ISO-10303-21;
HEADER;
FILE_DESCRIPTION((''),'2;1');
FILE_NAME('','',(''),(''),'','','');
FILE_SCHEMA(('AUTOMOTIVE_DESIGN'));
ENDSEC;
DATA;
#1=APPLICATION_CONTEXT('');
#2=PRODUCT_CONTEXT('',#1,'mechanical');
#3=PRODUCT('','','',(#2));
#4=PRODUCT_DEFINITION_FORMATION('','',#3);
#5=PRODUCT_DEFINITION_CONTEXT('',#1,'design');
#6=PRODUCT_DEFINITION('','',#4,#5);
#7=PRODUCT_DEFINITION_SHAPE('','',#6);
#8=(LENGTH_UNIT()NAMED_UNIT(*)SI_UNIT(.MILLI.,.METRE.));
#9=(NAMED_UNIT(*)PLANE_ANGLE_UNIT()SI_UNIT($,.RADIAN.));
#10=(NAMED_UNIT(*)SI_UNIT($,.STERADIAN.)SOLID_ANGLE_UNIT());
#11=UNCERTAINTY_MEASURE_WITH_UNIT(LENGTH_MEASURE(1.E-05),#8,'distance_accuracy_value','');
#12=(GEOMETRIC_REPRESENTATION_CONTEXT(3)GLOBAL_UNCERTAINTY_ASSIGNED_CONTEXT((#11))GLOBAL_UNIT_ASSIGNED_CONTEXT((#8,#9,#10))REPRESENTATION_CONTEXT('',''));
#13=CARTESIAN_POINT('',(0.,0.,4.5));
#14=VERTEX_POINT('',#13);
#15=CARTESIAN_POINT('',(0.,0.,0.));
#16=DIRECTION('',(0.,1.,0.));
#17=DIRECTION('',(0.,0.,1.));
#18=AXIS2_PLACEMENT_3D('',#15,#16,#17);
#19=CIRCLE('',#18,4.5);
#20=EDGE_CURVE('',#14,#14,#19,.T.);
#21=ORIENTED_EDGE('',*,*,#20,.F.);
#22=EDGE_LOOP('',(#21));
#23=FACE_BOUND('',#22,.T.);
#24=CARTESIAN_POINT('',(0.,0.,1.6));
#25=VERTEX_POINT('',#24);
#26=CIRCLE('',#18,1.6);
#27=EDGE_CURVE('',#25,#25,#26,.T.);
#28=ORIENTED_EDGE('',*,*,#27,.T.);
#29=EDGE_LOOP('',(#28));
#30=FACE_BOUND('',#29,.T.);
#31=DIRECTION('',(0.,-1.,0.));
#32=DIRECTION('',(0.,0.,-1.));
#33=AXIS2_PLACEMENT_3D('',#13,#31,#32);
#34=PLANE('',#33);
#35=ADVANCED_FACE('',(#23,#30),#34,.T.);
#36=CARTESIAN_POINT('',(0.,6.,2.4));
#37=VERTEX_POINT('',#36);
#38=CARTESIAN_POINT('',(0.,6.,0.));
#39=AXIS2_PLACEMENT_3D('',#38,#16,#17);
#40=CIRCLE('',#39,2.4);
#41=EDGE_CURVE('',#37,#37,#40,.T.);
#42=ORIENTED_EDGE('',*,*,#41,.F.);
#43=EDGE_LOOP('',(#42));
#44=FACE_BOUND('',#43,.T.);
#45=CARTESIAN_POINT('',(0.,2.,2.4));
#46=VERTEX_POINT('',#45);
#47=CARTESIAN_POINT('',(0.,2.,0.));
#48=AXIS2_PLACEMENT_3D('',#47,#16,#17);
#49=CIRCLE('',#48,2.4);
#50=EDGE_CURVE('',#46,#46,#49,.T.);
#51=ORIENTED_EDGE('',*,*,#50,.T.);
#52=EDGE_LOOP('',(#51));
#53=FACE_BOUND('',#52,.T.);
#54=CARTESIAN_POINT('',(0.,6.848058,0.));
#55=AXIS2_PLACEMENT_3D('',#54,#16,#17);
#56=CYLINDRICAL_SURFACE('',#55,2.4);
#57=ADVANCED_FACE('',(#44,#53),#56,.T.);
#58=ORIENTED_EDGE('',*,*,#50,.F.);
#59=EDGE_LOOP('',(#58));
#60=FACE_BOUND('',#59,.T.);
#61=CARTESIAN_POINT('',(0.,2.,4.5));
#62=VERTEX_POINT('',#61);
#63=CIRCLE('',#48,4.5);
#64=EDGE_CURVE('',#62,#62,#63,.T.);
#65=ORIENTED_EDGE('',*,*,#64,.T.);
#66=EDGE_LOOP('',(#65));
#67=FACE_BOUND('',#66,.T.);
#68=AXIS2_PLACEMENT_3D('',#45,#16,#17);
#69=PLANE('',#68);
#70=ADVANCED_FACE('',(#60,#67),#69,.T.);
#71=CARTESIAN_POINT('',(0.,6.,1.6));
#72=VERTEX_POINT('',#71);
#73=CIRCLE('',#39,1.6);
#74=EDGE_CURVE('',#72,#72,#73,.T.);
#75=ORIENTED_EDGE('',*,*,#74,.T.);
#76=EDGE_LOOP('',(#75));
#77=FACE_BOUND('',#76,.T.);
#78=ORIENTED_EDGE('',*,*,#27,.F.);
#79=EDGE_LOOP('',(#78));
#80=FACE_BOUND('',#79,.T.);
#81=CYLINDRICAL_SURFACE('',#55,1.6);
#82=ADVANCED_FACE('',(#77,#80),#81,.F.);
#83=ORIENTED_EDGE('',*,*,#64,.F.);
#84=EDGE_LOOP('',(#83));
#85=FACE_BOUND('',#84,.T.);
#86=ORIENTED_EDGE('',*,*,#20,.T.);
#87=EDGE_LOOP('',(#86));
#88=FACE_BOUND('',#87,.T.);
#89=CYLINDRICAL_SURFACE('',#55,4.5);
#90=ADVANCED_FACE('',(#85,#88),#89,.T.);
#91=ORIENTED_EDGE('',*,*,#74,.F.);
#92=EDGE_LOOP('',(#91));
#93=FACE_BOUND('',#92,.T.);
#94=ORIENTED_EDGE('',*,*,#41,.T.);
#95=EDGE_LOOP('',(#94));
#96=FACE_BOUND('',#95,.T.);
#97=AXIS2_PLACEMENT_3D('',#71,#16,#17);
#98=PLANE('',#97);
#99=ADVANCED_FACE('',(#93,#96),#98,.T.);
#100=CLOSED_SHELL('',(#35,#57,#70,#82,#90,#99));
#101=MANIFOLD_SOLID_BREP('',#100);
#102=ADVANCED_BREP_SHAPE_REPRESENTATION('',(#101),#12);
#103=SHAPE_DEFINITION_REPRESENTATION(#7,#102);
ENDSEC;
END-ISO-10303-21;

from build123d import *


with BuildPart() as part:
    # Esquisse1 → Révolution1 (revolve)
    with BuildSketch(Plane(origin=(0, 0, 0), x_dir=(0, 0, -1), z_dir=(1, 0, 0))):
        Polygon((-1.6, 0), (-1.6, 6), (-2.4, 6), (-2.4, 2), (-4.5, 2), (-4.5, 0), align=None)
    revolve(axis=Axis((0, 6.848058206, 0), (0, -1, 0)))


solid = part.part
